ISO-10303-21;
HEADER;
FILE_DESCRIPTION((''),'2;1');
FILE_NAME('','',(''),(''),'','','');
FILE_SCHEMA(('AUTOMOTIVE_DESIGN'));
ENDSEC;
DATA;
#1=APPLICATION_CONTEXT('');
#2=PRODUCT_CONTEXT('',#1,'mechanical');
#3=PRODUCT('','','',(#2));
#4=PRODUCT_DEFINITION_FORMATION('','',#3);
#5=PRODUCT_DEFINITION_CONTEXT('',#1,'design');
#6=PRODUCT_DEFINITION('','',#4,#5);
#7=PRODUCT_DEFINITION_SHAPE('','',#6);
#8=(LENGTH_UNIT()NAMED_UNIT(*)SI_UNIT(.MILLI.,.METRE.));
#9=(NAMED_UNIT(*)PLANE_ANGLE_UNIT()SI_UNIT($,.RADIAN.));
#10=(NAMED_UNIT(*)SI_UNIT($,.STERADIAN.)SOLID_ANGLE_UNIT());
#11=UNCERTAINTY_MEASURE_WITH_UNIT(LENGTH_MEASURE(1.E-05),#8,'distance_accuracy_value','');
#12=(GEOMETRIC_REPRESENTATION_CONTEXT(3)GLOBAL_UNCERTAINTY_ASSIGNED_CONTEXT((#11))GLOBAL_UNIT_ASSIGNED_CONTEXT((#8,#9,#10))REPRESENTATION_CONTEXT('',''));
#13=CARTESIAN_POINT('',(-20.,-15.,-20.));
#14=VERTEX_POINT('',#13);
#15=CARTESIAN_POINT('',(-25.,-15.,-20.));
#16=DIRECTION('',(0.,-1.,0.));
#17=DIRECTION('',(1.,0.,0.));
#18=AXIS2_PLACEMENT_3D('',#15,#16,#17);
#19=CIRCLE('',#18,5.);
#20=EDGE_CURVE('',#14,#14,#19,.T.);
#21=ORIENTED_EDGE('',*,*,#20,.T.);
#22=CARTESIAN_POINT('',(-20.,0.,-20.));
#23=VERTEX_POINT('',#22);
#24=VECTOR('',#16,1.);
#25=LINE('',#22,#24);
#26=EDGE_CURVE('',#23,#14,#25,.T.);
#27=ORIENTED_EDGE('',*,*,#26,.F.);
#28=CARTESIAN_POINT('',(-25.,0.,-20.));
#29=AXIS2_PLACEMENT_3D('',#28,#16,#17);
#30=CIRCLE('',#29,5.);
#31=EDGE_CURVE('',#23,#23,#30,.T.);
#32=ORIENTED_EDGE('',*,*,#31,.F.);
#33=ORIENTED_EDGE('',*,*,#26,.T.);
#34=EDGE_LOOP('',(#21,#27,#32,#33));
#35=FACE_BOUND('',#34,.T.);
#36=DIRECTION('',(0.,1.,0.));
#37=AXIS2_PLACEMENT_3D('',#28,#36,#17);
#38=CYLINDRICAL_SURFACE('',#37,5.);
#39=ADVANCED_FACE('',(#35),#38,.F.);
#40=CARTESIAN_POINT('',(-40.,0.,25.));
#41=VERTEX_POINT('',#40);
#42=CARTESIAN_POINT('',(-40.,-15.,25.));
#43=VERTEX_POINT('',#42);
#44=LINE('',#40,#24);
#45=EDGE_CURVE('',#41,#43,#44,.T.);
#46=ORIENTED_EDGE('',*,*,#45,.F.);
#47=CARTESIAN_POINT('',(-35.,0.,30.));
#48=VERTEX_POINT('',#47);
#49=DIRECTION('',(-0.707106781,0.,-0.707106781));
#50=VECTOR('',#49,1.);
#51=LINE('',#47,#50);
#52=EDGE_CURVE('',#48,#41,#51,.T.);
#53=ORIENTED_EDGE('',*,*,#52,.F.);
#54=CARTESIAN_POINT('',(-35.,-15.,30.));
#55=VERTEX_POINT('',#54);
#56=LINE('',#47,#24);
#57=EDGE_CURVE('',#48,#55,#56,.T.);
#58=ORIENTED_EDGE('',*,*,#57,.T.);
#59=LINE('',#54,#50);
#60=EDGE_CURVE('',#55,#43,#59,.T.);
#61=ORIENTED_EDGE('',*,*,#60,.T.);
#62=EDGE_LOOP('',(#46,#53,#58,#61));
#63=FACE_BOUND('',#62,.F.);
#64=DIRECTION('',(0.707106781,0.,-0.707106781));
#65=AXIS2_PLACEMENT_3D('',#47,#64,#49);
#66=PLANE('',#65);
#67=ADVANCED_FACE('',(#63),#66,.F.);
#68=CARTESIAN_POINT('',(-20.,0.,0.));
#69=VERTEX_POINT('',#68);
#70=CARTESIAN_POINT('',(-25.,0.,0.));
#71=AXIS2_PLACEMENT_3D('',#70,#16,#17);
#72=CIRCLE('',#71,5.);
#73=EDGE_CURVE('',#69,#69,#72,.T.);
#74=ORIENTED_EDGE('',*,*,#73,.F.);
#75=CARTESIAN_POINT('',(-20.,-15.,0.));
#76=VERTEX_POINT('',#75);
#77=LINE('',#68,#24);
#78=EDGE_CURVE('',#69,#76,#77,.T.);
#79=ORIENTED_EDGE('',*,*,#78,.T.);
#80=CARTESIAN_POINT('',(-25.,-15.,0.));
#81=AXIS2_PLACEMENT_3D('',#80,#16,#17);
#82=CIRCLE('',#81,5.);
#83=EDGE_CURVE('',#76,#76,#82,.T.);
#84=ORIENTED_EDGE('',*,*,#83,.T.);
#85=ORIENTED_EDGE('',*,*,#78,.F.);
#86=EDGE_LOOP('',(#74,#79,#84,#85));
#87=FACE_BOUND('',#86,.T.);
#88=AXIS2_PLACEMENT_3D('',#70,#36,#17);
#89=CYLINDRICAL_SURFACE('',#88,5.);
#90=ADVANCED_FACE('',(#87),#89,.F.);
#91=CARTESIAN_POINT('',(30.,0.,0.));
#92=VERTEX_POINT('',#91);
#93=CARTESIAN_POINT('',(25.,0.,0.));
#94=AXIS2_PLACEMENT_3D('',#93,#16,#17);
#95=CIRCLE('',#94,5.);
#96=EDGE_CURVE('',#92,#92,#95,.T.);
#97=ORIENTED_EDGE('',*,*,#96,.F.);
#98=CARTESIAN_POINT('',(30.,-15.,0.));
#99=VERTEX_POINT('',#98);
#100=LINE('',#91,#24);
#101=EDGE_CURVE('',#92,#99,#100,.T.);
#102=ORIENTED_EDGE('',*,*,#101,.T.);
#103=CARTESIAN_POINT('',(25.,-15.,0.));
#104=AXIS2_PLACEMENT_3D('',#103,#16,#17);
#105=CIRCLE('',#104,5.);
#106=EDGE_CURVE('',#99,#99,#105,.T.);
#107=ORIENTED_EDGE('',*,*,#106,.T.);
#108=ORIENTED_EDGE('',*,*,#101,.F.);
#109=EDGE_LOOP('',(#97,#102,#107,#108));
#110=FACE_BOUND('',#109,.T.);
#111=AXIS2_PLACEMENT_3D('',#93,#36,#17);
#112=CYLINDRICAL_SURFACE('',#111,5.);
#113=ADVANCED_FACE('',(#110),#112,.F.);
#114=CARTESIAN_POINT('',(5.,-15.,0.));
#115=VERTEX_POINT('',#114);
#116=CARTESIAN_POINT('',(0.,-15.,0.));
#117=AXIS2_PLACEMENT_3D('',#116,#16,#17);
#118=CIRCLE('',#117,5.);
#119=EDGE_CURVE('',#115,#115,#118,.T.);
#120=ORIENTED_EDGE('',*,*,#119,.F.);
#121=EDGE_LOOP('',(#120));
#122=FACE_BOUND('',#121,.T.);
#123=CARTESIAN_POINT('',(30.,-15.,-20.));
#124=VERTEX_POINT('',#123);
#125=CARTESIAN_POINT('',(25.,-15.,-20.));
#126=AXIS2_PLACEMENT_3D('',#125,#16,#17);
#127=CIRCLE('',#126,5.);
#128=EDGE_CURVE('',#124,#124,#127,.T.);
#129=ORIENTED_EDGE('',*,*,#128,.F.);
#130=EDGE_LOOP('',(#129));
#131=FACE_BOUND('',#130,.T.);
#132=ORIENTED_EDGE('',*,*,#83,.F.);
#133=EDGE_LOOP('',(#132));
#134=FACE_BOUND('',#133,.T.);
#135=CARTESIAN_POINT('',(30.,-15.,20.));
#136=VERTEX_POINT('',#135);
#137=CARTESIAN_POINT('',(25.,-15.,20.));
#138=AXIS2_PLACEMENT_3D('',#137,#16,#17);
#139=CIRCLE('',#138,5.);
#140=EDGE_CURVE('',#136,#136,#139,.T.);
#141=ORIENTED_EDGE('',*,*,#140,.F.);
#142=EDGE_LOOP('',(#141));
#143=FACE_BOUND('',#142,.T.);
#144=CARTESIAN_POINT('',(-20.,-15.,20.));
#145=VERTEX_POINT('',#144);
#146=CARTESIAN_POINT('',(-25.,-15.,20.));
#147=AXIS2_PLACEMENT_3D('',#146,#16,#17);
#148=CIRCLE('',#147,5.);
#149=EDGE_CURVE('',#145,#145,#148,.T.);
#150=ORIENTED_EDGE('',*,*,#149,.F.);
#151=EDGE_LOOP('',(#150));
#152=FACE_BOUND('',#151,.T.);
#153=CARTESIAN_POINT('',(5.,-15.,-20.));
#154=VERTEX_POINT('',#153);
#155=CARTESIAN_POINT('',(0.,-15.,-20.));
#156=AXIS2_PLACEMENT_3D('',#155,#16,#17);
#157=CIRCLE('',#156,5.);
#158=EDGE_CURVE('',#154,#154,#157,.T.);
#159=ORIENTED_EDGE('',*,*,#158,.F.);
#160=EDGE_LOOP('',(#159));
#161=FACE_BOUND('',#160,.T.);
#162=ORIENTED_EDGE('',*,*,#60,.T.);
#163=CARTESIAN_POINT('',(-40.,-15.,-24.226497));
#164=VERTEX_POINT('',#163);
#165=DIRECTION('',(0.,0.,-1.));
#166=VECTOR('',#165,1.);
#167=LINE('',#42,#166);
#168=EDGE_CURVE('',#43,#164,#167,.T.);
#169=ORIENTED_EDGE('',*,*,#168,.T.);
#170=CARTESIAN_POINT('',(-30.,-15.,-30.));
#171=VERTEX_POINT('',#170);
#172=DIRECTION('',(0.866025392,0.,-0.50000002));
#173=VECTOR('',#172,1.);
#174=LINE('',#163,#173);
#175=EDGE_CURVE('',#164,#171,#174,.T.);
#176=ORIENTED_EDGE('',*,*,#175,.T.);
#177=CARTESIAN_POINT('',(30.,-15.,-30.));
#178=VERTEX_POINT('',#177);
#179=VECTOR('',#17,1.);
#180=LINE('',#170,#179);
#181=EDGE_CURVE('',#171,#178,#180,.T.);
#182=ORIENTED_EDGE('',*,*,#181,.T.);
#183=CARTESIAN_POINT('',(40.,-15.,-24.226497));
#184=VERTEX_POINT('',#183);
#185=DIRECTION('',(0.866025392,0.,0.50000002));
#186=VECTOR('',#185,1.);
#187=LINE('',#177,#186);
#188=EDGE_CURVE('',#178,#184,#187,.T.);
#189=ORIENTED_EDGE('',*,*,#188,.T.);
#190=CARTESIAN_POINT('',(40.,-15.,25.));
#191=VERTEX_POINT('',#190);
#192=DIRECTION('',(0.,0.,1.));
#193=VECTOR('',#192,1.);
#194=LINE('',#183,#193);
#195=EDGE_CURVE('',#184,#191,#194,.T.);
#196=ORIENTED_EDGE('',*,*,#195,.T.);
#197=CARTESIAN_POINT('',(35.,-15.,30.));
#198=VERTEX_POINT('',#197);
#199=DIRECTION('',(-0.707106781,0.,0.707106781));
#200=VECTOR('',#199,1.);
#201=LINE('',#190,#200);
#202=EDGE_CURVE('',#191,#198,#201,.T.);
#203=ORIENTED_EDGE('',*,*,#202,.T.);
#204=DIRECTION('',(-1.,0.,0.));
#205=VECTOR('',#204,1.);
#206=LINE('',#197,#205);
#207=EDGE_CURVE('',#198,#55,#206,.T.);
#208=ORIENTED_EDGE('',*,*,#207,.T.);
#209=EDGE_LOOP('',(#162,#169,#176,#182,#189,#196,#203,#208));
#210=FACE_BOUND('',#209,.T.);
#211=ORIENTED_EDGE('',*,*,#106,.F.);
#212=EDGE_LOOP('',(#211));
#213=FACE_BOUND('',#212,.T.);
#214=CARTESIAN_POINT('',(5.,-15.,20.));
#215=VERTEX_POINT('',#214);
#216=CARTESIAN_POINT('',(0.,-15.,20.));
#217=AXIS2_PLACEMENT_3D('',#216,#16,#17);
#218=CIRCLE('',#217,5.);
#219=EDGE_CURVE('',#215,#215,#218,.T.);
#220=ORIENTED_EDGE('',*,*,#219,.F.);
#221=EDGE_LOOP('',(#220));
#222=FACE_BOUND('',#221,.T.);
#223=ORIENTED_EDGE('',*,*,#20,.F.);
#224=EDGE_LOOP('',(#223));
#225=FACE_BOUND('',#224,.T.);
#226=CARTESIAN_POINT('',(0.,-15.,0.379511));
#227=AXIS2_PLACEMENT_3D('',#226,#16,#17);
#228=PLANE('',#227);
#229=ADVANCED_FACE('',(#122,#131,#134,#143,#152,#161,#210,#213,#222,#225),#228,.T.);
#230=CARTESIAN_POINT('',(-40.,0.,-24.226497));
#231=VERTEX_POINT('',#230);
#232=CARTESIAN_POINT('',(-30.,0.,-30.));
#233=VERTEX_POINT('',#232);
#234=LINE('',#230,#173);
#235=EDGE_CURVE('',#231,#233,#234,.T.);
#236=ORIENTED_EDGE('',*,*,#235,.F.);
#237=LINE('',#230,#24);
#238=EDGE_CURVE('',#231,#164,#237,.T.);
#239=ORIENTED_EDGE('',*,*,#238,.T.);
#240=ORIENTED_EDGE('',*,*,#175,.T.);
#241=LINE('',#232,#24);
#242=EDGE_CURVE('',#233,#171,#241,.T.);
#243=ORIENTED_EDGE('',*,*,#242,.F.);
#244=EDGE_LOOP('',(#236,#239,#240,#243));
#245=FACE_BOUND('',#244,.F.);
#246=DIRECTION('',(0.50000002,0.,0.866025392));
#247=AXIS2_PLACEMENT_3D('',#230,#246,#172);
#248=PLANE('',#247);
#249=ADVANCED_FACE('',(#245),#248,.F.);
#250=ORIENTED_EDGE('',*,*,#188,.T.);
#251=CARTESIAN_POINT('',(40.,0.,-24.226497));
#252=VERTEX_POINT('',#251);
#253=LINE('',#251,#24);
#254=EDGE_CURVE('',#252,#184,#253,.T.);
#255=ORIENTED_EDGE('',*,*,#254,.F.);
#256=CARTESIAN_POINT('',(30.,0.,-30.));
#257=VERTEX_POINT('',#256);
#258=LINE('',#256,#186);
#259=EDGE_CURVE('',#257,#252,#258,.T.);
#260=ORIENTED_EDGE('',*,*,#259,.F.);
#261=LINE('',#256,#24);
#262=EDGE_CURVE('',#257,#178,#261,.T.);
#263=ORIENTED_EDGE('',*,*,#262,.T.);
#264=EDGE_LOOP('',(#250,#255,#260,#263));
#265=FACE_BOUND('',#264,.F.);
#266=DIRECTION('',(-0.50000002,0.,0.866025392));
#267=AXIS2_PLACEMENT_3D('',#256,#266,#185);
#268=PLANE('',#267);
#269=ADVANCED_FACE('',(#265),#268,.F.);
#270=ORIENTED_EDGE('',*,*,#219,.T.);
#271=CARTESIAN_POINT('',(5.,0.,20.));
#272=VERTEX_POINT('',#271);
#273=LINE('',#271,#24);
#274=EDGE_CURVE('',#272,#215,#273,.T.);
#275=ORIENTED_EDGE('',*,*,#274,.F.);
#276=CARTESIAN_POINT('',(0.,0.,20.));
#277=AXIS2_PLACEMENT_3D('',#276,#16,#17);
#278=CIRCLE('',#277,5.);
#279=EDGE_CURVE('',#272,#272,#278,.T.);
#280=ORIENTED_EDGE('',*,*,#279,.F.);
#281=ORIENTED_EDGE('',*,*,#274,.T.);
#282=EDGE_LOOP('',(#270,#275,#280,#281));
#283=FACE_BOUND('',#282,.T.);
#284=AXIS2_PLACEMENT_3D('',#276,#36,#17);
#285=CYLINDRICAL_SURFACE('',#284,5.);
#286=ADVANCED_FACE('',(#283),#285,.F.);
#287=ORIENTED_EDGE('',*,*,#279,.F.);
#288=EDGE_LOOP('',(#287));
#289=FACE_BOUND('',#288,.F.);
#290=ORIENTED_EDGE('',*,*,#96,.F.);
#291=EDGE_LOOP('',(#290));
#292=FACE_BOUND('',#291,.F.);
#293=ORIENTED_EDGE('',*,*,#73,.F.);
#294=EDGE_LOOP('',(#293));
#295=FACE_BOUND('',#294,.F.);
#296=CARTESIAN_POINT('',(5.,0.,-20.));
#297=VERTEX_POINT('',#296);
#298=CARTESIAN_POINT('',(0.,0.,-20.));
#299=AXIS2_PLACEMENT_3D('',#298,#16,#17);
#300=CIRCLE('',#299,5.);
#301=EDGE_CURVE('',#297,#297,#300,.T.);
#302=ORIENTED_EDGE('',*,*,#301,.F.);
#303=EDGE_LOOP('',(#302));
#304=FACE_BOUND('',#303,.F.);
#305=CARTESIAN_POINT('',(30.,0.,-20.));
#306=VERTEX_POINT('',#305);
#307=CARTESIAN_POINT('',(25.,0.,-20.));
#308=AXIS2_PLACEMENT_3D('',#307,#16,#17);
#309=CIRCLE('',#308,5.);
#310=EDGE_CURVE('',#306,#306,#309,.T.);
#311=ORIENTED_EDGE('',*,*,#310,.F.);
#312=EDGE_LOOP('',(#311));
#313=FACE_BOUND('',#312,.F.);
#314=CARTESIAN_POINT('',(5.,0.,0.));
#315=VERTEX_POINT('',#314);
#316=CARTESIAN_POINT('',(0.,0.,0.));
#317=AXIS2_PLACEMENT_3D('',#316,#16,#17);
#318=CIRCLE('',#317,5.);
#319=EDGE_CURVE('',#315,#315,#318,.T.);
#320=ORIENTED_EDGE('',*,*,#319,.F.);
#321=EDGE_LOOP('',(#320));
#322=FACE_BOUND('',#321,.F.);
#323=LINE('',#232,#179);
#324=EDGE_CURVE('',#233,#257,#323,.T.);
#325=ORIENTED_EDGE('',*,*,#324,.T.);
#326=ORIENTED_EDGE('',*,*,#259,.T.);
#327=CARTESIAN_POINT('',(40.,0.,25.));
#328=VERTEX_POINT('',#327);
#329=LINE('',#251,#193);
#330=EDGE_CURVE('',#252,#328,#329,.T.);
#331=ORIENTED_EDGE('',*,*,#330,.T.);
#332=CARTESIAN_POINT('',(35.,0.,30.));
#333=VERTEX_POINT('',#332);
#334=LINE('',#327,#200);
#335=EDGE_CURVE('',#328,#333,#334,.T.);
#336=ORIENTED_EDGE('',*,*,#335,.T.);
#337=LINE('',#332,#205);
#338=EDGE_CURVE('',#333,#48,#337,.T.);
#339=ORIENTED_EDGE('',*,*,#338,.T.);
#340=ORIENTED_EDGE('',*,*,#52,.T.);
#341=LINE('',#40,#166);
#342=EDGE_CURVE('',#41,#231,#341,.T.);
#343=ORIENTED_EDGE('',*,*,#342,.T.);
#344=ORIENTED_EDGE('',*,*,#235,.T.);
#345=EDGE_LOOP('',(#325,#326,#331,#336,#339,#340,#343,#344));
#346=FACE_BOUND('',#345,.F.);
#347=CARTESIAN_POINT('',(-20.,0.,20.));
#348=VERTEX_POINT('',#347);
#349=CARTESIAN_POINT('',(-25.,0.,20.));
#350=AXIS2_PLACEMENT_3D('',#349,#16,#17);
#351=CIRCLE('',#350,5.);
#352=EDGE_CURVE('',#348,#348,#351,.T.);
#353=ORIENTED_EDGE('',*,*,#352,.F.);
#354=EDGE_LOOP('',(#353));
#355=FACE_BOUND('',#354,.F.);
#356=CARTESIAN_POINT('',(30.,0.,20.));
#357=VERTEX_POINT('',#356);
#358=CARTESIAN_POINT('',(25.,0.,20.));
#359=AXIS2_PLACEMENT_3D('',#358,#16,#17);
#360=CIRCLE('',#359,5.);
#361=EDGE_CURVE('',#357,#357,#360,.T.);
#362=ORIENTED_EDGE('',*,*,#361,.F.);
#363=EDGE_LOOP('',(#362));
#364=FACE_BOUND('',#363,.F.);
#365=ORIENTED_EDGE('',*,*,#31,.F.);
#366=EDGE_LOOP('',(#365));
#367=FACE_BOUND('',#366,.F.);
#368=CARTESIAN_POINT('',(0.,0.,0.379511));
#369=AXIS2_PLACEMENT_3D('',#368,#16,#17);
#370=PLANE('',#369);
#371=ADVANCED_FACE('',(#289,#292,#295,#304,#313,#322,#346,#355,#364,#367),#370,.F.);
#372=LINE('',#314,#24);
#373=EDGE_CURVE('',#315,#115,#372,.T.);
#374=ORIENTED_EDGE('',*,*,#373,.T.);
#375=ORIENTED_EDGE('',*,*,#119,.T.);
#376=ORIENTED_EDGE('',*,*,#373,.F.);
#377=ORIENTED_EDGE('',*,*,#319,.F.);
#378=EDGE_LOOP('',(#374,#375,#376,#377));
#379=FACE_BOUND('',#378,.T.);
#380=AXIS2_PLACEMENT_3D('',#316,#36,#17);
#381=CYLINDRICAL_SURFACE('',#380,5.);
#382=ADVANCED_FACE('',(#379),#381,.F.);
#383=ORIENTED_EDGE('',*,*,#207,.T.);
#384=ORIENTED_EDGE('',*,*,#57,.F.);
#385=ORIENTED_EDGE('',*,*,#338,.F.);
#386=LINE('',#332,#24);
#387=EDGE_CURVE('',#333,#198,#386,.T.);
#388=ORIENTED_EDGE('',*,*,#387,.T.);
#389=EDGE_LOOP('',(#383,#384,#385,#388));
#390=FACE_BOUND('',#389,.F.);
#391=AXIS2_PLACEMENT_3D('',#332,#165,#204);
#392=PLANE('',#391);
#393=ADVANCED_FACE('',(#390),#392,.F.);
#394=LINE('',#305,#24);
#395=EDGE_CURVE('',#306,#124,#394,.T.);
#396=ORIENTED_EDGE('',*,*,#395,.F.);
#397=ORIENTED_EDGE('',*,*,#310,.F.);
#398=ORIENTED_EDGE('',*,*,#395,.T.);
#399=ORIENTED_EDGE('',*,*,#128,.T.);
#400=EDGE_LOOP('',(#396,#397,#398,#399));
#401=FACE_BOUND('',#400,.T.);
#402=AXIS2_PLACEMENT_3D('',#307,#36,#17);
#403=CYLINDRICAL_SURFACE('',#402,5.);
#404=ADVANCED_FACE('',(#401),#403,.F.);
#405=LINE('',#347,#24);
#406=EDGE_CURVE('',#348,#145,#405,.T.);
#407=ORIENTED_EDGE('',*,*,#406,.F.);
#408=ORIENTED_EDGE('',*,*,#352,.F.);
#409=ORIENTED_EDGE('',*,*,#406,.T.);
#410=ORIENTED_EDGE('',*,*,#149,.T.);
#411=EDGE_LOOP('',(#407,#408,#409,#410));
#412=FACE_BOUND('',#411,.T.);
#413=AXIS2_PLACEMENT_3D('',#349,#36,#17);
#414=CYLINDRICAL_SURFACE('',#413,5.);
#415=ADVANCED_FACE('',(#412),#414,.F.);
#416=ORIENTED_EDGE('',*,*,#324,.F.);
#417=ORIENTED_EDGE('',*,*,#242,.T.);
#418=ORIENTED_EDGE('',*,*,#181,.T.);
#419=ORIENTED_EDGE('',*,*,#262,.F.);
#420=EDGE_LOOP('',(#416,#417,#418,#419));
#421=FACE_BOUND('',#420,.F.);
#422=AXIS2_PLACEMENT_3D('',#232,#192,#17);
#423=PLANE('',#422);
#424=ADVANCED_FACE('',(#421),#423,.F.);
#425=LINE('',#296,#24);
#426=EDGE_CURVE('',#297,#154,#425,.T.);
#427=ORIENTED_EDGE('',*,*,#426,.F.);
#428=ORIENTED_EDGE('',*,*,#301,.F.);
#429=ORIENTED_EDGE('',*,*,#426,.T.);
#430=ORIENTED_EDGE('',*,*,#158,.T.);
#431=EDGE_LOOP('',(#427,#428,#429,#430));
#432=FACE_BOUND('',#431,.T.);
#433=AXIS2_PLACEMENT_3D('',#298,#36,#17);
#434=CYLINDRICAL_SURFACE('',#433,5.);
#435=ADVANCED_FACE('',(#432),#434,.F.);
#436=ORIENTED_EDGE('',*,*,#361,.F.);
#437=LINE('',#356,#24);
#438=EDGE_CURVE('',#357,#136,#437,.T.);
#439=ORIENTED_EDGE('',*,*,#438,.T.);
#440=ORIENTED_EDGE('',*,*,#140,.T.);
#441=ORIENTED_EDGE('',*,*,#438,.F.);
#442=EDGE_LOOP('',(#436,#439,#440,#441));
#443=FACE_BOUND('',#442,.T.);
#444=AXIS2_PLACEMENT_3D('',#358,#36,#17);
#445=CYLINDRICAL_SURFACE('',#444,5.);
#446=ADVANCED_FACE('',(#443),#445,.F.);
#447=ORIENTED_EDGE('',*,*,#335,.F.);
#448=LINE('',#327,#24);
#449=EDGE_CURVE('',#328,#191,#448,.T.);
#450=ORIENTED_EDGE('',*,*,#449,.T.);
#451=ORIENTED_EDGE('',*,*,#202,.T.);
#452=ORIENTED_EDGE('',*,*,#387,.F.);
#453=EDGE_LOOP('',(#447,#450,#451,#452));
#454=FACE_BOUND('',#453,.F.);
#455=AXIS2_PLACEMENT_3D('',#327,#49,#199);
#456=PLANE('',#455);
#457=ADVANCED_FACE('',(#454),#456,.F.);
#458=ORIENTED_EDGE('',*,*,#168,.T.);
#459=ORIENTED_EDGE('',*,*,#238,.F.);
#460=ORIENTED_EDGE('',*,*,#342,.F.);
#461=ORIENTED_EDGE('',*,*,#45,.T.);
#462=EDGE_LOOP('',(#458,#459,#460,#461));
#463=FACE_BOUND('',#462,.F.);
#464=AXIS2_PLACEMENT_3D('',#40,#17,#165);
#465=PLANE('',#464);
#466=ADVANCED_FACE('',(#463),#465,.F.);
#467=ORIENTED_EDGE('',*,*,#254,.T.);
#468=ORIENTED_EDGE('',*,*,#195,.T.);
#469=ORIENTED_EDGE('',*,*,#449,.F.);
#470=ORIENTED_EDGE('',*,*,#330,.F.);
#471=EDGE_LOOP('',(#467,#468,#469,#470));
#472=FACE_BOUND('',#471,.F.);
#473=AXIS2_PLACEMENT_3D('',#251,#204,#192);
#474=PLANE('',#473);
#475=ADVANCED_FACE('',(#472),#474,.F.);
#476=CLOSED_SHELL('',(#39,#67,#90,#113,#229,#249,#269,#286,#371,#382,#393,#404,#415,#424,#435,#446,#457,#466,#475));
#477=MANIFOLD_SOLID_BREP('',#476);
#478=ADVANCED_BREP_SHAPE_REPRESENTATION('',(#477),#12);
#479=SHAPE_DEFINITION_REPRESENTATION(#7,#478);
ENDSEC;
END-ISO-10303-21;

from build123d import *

# Parameters (mm, degrees)
F0_R     = 5
F1_DEPTH = 15


with BuildPart() as f1:
    # F0 (on Front) → F1 (new body)
    with BuildSketch(Plane.XZ):
        Polygon((35, 30), (0, 30), (-35, 30), (-40, 25), (-40, -24.226497), (-30, -30), (0, -30), (30, -30), (40, -24.226497), (40, 25), align=None)
        with Locations((-25, -20)):
            Circle(F0_R, mode=Mode.SUBTRACT)
        with Locations((0, -20)):
            Circle(F0_R, mode=Mode.SUBTRACT)
        with Locations((25, -20)):
            Circle(F0_R, mode=Mode.SUBTRACT)
        with Locations((-25, 0)):
            Circle(F0_R, mode=Mode.SUBTRACT)
        with Locations((-25, 20)):
            Circle(F0_R, mode=Mode.SUBTRACT)
        Circle(F0_R, mode=Mode.SUBTRACT)
        with Locations((25, 0)):
            Circle(F0_R, mode=Mode.SUBTRACT)
        with Locations((0, 20)):
            Circle(F0_R, mode=Mode.SUBTRACT)
        with Locations((25, 20)):
            Circle(F0_R, mode=Mode.SUBTRACT)
    extrude(amount=F1_DEPTH)


solid = f1.part
